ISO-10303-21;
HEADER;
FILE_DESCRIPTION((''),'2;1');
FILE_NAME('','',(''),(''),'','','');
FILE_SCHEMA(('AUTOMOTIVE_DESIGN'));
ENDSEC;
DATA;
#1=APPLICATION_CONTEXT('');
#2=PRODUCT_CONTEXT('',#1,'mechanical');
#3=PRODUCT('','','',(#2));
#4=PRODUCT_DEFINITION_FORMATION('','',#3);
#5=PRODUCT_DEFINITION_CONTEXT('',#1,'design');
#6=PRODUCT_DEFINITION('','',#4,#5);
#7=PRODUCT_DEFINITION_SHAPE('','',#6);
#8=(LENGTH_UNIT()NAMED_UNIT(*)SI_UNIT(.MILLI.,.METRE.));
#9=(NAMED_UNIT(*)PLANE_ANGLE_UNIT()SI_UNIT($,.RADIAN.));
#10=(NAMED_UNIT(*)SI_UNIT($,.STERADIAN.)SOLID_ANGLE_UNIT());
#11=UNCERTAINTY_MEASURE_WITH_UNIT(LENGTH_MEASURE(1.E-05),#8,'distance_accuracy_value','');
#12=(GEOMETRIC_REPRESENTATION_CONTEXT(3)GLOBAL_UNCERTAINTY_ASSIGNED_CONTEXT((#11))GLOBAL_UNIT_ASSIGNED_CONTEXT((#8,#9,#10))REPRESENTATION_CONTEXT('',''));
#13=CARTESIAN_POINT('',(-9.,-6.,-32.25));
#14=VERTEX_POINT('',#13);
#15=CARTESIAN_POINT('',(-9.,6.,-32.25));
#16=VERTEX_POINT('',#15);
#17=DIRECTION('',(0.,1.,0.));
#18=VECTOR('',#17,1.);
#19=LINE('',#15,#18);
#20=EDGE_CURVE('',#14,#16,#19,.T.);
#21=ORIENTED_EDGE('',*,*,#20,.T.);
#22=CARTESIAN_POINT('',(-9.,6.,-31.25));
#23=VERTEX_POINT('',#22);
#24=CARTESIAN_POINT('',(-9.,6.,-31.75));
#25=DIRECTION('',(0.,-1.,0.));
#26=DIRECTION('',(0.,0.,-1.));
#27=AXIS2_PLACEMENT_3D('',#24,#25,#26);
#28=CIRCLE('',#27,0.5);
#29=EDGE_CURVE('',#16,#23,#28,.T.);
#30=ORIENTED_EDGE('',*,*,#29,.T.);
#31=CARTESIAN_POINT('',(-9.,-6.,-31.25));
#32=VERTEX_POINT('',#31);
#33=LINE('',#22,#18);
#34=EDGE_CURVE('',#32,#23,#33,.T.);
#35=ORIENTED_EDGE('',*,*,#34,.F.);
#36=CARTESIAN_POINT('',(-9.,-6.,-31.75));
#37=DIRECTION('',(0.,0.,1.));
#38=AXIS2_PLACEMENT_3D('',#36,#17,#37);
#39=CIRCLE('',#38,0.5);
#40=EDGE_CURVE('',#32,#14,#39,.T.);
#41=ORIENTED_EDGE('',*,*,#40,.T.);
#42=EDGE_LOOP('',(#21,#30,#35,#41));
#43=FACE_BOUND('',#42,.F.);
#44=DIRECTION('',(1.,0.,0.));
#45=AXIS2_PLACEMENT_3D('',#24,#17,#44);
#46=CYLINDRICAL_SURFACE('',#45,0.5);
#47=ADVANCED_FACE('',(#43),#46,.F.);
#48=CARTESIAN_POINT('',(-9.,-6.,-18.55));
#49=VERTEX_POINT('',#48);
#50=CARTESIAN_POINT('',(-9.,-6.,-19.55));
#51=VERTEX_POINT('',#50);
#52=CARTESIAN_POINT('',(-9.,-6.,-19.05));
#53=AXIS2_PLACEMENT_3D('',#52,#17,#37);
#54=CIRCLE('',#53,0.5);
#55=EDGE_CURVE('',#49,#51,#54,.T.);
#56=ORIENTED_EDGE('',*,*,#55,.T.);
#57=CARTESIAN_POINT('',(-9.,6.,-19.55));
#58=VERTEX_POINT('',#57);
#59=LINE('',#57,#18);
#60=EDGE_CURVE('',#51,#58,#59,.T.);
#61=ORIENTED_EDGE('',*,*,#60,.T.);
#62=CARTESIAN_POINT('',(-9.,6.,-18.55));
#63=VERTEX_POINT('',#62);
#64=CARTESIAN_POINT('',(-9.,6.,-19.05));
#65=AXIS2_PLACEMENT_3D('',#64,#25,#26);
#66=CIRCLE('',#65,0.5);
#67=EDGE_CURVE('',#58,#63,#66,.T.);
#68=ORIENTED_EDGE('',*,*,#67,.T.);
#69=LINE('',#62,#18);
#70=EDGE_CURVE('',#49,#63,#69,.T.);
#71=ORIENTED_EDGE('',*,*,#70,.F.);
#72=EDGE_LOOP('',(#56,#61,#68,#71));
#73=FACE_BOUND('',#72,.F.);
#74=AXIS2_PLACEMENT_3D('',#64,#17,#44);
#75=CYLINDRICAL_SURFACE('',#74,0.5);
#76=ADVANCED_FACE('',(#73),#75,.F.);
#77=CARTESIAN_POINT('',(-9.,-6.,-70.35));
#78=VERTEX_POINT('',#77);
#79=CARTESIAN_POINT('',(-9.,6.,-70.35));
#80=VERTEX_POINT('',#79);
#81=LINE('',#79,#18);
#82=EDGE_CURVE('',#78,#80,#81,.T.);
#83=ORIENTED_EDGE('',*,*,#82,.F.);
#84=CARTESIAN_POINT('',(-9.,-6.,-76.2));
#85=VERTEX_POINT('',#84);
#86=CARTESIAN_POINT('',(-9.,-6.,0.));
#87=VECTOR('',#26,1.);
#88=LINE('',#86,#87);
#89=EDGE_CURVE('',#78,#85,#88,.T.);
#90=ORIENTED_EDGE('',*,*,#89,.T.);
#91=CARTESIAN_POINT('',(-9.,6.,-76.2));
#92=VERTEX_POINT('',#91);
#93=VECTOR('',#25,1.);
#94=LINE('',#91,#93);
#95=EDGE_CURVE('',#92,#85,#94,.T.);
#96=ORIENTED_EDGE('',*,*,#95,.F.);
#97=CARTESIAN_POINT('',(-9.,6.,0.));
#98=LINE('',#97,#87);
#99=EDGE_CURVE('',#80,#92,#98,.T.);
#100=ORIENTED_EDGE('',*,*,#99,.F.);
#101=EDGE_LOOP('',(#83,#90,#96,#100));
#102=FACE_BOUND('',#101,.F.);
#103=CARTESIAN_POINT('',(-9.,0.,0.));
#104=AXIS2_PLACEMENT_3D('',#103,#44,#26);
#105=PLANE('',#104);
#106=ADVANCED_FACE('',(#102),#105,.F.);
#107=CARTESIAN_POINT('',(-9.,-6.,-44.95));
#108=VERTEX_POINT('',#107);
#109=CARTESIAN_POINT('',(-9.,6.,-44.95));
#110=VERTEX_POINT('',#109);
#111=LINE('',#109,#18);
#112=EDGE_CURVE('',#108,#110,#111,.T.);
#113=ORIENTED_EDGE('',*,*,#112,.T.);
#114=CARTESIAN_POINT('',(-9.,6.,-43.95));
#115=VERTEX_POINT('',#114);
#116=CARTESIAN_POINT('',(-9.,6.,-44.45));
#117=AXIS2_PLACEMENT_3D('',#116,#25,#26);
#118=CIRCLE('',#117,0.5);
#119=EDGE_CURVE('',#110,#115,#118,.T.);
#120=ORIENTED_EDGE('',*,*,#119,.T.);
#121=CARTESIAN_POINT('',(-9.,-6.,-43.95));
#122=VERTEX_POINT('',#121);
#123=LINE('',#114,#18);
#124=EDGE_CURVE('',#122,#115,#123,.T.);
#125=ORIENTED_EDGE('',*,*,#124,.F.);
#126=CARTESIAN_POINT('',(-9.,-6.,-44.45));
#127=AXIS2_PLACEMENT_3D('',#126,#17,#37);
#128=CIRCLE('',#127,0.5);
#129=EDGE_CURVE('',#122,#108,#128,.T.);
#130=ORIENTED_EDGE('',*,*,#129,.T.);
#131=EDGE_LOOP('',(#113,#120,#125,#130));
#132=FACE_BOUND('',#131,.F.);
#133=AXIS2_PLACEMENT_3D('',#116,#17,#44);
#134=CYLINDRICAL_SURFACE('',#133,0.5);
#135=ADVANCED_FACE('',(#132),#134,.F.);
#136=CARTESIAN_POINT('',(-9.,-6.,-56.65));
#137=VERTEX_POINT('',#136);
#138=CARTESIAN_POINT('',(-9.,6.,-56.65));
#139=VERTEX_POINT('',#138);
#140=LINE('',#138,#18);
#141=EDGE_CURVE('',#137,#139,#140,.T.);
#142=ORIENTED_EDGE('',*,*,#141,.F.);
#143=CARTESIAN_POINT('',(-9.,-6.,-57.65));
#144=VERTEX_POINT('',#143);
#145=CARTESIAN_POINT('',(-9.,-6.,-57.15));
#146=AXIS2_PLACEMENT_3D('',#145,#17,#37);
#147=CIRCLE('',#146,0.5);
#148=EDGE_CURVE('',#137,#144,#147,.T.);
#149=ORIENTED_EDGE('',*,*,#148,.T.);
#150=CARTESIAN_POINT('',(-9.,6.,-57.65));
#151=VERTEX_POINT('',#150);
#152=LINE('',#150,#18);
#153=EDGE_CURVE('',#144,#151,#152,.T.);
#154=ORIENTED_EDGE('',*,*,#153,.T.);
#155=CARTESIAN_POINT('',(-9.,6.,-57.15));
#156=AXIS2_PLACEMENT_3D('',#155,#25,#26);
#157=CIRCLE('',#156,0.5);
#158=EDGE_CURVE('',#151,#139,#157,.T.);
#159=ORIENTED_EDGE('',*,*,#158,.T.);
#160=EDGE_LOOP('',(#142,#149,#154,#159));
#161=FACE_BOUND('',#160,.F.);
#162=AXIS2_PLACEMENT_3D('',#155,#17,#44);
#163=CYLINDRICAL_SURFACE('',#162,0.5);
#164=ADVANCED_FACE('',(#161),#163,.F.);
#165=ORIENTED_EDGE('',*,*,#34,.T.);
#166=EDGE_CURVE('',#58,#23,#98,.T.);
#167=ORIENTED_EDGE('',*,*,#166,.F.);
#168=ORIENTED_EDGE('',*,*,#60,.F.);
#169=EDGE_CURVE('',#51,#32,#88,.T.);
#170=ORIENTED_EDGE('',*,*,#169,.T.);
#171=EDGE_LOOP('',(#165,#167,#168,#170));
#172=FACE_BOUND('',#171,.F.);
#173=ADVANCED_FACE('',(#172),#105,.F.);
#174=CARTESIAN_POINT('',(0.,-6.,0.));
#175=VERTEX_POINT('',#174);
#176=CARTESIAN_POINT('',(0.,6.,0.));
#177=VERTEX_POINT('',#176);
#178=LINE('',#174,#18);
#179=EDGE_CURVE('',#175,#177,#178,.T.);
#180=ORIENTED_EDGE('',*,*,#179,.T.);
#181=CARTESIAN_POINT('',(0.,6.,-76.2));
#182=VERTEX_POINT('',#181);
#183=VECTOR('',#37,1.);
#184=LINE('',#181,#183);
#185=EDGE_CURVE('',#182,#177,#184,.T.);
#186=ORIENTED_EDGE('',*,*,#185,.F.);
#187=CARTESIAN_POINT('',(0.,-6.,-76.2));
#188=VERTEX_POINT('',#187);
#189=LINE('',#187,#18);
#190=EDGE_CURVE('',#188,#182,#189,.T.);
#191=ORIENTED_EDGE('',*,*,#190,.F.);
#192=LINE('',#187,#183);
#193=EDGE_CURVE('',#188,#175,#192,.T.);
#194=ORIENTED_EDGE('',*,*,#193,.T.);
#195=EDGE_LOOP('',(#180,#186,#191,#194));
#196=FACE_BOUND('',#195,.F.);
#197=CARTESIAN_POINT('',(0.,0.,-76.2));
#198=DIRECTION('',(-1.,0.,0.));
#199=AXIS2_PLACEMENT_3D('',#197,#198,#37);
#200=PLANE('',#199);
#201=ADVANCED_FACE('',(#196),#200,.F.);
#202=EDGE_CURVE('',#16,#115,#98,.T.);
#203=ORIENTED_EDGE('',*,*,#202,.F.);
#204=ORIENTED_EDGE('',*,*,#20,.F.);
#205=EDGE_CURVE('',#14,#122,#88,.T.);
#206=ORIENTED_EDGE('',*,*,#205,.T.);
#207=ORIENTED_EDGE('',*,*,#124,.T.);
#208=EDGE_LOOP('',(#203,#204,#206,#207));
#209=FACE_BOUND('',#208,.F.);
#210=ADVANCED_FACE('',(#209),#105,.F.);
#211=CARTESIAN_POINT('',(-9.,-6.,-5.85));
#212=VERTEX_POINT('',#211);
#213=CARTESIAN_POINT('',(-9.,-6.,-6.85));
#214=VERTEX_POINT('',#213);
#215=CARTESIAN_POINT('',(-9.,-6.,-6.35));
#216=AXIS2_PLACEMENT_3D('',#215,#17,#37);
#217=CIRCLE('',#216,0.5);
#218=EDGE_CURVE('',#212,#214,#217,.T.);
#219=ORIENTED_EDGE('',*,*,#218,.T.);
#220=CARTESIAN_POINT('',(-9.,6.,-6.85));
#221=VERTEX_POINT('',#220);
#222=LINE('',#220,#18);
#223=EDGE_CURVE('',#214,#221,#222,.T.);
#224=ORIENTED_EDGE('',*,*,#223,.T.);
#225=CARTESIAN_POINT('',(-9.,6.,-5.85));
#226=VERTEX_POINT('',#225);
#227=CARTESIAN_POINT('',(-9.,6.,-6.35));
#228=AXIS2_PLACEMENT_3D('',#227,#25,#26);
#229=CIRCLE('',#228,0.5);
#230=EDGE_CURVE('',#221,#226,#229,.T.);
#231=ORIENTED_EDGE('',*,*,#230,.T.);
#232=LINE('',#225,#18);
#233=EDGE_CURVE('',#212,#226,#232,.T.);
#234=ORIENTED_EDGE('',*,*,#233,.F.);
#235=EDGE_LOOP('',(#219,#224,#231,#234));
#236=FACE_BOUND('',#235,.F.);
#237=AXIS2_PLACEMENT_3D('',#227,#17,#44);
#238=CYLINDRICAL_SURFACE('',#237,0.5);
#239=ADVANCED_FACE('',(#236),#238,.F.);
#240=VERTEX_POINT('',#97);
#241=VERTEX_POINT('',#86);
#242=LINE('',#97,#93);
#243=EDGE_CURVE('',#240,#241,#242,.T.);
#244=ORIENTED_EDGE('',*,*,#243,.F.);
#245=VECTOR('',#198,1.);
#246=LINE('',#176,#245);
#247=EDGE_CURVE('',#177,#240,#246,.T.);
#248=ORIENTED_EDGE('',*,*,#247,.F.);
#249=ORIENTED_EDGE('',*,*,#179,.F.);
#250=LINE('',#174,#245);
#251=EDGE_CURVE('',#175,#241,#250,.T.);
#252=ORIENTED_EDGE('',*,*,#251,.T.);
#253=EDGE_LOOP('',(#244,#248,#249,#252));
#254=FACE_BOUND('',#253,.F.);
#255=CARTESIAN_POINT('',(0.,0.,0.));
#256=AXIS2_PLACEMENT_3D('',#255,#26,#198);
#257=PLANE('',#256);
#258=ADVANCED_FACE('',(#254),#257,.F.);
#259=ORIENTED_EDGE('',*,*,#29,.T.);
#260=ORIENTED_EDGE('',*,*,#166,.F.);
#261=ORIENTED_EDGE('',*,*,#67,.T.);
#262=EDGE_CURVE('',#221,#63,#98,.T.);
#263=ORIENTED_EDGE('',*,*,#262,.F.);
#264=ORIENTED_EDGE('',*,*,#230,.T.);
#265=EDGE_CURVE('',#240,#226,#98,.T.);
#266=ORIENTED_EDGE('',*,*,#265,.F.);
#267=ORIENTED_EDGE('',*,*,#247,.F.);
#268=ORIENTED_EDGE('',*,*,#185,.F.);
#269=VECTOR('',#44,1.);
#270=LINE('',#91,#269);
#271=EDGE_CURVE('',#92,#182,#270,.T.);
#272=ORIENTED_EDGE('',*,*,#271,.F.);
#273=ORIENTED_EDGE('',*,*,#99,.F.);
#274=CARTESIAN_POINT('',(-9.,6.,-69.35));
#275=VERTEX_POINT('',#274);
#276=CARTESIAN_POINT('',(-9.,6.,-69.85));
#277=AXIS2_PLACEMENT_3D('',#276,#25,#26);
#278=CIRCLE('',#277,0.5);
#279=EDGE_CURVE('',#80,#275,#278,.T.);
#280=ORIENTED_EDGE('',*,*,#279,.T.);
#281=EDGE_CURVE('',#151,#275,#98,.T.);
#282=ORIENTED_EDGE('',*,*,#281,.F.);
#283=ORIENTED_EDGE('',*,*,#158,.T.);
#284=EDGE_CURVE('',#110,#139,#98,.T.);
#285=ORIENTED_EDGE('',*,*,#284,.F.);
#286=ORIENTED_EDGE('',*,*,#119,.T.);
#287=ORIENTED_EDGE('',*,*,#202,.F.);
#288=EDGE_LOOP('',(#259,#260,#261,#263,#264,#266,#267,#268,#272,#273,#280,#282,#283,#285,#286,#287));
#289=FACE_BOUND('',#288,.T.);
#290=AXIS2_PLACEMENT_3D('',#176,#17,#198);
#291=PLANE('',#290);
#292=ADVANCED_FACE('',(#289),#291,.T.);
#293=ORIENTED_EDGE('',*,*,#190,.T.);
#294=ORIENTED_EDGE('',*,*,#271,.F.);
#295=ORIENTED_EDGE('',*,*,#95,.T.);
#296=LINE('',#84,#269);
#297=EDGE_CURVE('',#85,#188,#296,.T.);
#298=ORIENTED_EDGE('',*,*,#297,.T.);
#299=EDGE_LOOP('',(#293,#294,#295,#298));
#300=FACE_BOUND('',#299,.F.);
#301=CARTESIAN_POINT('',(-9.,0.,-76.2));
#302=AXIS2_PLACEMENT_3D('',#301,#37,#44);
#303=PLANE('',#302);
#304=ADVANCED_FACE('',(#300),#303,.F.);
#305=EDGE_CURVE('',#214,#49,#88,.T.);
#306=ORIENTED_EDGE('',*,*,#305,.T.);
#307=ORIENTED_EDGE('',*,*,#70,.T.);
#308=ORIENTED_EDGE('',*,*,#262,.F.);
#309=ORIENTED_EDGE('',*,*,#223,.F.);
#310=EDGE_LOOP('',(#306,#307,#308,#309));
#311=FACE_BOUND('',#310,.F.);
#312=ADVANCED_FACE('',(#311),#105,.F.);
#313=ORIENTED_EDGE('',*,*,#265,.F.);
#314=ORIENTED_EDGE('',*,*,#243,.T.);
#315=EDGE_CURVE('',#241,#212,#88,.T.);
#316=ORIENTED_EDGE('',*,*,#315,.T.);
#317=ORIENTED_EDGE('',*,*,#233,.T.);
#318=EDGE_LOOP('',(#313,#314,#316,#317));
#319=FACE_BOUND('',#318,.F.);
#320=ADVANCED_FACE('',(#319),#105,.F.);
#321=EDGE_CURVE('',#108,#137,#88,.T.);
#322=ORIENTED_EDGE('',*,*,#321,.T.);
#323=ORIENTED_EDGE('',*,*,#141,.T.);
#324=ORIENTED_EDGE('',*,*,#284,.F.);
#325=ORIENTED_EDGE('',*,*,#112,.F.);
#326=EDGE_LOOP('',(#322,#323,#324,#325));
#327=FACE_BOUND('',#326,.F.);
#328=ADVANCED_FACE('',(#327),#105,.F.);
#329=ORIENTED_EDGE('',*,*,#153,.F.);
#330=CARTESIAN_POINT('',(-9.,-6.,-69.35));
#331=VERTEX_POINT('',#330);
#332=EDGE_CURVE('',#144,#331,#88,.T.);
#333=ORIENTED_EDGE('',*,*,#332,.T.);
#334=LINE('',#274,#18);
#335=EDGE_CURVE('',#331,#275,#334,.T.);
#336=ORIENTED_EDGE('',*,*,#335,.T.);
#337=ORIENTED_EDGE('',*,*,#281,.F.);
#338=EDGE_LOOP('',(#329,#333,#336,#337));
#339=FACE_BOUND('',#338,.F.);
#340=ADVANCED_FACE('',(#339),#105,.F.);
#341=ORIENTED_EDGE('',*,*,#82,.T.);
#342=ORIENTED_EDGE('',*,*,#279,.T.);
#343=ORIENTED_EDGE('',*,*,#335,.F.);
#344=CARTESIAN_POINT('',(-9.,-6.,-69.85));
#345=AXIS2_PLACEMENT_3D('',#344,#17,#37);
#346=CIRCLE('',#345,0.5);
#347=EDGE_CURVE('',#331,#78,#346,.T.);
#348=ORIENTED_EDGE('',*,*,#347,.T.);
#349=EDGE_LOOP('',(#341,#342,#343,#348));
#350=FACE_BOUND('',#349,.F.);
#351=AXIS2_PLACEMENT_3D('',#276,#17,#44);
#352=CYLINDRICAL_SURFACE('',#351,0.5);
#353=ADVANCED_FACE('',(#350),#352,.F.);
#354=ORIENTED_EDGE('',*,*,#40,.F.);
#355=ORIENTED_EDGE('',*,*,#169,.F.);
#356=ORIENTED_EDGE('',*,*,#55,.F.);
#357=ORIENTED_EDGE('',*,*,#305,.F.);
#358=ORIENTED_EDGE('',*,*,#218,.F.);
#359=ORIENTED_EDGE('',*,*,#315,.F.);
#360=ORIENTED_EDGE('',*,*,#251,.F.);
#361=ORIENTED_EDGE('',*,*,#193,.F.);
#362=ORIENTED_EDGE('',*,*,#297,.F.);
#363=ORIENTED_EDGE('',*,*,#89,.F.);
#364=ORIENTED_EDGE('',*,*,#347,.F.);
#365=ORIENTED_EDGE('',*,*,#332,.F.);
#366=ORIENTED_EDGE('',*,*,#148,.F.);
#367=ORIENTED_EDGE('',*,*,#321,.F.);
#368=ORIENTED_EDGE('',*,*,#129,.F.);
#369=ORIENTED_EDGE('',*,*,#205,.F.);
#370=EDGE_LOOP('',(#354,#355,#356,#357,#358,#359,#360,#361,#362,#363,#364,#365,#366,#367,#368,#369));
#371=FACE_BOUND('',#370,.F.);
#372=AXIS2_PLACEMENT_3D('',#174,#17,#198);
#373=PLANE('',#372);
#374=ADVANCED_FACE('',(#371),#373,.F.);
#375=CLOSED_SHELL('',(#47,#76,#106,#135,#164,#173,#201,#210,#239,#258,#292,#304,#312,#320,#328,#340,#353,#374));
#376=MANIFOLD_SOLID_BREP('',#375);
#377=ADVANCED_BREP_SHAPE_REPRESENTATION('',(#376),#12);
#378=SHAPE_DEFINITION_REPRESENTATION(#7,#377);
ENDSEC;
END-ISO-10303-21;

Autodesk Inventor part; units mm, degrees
ref_plane "YZ Plane" through (0, 0, 0) normal (1, 0, 0) x (0, 1, 0)
ref_plane "XZ Plane" through (0, 0, 0) normal (0, 1, 0) x (-1, 0, 0)
ref_plane "XY Plane" through (0, 0, 0) normal (0, 0, 1) x (1, 0, 0)
sketch "Sketch1" plane through (0, 0, 0) normal (0, 1, 0) x (-1, 0, 0)
  line L0 (0, 0) -> (9, 0)
  line L1 (9, 0) -> (9, -76.2)
  line L2 (9, -76.2) -> (0, -76.2)
  line L3 (0, -76.2) -> (0, 0)
  dimension "d0" = 76.2
  dimension "d1" = 9
extrude "Extrusion1" add sketch "Sketch1" against normal blind 6
extrude "Extrusion2" add sketch "Sketch1" along normal blind 6
sketch "Sketch2" plane through (0, 6, 0) normal (0, 1, 0) x (1, 0, 0)
  line L0 (-9, 0) -> (-9, 76.2) projected
  line L1 (0, 76.2) -> (0, 0) projected
  circle A0 centre (-9, 31.75) radius 0.5
  circle A1 centre (-9, 6.35) radius 0.5
  circle A2 centre (-9, 19.05) radius 0.5
  circle A3 centre (-9, 44.45) radius 0.5
  circle A4 centre (-9, 57.15) radius 0.5
  circle A5 centre (-9, 69.85) radius 0.5
  line L2 (-9, 76.2) -> (-9, 0) projected
  line L3 (-9, 0) -> (0, 0) projected
  dimension "d6" = 6.35
  dimension "d7" = 12.7
  dimension "d8" = 1
  dimension "d9" = 12.7
  dimension "d10" = 12.7
  dimension "d11" = 12.7
  dimension "d12" = 12.7
extrude "Extrusion3" cut sketch "Sketch2" against normal up to surface (12 mm away)
equation "\"d0\" = nutLength"
equation "\"d1\" = nutWidth"
equation "\"d2\" = nutHeight"
equation "\"d4\" = nutHeight"
equation "\"d6\" = sideOffset"
equation "\"d7\" = holeOffset"
equation "\"d8\" = holeDiameter"
equation "\"d9\" = holeOffset"
equation "\"d10\" = holeOffset"
equation "\"d11\" = holeOffset"
equation "\"d12\" = holeOffset"
equation "\"d13\" = nutHeight"
equation "\"nutLength\" = 76.2"
equation "\"nutWidth\" = 9"
equation "\"nutHeight\" = 6"
equation "\"holeOffset\" = -0.4 * sideOffset + 0.2 * nutLength"
equation "\"sideOffset\" = 6.35"
equation "\"holeDiameter\" = 1"
properties part number "Nut"
